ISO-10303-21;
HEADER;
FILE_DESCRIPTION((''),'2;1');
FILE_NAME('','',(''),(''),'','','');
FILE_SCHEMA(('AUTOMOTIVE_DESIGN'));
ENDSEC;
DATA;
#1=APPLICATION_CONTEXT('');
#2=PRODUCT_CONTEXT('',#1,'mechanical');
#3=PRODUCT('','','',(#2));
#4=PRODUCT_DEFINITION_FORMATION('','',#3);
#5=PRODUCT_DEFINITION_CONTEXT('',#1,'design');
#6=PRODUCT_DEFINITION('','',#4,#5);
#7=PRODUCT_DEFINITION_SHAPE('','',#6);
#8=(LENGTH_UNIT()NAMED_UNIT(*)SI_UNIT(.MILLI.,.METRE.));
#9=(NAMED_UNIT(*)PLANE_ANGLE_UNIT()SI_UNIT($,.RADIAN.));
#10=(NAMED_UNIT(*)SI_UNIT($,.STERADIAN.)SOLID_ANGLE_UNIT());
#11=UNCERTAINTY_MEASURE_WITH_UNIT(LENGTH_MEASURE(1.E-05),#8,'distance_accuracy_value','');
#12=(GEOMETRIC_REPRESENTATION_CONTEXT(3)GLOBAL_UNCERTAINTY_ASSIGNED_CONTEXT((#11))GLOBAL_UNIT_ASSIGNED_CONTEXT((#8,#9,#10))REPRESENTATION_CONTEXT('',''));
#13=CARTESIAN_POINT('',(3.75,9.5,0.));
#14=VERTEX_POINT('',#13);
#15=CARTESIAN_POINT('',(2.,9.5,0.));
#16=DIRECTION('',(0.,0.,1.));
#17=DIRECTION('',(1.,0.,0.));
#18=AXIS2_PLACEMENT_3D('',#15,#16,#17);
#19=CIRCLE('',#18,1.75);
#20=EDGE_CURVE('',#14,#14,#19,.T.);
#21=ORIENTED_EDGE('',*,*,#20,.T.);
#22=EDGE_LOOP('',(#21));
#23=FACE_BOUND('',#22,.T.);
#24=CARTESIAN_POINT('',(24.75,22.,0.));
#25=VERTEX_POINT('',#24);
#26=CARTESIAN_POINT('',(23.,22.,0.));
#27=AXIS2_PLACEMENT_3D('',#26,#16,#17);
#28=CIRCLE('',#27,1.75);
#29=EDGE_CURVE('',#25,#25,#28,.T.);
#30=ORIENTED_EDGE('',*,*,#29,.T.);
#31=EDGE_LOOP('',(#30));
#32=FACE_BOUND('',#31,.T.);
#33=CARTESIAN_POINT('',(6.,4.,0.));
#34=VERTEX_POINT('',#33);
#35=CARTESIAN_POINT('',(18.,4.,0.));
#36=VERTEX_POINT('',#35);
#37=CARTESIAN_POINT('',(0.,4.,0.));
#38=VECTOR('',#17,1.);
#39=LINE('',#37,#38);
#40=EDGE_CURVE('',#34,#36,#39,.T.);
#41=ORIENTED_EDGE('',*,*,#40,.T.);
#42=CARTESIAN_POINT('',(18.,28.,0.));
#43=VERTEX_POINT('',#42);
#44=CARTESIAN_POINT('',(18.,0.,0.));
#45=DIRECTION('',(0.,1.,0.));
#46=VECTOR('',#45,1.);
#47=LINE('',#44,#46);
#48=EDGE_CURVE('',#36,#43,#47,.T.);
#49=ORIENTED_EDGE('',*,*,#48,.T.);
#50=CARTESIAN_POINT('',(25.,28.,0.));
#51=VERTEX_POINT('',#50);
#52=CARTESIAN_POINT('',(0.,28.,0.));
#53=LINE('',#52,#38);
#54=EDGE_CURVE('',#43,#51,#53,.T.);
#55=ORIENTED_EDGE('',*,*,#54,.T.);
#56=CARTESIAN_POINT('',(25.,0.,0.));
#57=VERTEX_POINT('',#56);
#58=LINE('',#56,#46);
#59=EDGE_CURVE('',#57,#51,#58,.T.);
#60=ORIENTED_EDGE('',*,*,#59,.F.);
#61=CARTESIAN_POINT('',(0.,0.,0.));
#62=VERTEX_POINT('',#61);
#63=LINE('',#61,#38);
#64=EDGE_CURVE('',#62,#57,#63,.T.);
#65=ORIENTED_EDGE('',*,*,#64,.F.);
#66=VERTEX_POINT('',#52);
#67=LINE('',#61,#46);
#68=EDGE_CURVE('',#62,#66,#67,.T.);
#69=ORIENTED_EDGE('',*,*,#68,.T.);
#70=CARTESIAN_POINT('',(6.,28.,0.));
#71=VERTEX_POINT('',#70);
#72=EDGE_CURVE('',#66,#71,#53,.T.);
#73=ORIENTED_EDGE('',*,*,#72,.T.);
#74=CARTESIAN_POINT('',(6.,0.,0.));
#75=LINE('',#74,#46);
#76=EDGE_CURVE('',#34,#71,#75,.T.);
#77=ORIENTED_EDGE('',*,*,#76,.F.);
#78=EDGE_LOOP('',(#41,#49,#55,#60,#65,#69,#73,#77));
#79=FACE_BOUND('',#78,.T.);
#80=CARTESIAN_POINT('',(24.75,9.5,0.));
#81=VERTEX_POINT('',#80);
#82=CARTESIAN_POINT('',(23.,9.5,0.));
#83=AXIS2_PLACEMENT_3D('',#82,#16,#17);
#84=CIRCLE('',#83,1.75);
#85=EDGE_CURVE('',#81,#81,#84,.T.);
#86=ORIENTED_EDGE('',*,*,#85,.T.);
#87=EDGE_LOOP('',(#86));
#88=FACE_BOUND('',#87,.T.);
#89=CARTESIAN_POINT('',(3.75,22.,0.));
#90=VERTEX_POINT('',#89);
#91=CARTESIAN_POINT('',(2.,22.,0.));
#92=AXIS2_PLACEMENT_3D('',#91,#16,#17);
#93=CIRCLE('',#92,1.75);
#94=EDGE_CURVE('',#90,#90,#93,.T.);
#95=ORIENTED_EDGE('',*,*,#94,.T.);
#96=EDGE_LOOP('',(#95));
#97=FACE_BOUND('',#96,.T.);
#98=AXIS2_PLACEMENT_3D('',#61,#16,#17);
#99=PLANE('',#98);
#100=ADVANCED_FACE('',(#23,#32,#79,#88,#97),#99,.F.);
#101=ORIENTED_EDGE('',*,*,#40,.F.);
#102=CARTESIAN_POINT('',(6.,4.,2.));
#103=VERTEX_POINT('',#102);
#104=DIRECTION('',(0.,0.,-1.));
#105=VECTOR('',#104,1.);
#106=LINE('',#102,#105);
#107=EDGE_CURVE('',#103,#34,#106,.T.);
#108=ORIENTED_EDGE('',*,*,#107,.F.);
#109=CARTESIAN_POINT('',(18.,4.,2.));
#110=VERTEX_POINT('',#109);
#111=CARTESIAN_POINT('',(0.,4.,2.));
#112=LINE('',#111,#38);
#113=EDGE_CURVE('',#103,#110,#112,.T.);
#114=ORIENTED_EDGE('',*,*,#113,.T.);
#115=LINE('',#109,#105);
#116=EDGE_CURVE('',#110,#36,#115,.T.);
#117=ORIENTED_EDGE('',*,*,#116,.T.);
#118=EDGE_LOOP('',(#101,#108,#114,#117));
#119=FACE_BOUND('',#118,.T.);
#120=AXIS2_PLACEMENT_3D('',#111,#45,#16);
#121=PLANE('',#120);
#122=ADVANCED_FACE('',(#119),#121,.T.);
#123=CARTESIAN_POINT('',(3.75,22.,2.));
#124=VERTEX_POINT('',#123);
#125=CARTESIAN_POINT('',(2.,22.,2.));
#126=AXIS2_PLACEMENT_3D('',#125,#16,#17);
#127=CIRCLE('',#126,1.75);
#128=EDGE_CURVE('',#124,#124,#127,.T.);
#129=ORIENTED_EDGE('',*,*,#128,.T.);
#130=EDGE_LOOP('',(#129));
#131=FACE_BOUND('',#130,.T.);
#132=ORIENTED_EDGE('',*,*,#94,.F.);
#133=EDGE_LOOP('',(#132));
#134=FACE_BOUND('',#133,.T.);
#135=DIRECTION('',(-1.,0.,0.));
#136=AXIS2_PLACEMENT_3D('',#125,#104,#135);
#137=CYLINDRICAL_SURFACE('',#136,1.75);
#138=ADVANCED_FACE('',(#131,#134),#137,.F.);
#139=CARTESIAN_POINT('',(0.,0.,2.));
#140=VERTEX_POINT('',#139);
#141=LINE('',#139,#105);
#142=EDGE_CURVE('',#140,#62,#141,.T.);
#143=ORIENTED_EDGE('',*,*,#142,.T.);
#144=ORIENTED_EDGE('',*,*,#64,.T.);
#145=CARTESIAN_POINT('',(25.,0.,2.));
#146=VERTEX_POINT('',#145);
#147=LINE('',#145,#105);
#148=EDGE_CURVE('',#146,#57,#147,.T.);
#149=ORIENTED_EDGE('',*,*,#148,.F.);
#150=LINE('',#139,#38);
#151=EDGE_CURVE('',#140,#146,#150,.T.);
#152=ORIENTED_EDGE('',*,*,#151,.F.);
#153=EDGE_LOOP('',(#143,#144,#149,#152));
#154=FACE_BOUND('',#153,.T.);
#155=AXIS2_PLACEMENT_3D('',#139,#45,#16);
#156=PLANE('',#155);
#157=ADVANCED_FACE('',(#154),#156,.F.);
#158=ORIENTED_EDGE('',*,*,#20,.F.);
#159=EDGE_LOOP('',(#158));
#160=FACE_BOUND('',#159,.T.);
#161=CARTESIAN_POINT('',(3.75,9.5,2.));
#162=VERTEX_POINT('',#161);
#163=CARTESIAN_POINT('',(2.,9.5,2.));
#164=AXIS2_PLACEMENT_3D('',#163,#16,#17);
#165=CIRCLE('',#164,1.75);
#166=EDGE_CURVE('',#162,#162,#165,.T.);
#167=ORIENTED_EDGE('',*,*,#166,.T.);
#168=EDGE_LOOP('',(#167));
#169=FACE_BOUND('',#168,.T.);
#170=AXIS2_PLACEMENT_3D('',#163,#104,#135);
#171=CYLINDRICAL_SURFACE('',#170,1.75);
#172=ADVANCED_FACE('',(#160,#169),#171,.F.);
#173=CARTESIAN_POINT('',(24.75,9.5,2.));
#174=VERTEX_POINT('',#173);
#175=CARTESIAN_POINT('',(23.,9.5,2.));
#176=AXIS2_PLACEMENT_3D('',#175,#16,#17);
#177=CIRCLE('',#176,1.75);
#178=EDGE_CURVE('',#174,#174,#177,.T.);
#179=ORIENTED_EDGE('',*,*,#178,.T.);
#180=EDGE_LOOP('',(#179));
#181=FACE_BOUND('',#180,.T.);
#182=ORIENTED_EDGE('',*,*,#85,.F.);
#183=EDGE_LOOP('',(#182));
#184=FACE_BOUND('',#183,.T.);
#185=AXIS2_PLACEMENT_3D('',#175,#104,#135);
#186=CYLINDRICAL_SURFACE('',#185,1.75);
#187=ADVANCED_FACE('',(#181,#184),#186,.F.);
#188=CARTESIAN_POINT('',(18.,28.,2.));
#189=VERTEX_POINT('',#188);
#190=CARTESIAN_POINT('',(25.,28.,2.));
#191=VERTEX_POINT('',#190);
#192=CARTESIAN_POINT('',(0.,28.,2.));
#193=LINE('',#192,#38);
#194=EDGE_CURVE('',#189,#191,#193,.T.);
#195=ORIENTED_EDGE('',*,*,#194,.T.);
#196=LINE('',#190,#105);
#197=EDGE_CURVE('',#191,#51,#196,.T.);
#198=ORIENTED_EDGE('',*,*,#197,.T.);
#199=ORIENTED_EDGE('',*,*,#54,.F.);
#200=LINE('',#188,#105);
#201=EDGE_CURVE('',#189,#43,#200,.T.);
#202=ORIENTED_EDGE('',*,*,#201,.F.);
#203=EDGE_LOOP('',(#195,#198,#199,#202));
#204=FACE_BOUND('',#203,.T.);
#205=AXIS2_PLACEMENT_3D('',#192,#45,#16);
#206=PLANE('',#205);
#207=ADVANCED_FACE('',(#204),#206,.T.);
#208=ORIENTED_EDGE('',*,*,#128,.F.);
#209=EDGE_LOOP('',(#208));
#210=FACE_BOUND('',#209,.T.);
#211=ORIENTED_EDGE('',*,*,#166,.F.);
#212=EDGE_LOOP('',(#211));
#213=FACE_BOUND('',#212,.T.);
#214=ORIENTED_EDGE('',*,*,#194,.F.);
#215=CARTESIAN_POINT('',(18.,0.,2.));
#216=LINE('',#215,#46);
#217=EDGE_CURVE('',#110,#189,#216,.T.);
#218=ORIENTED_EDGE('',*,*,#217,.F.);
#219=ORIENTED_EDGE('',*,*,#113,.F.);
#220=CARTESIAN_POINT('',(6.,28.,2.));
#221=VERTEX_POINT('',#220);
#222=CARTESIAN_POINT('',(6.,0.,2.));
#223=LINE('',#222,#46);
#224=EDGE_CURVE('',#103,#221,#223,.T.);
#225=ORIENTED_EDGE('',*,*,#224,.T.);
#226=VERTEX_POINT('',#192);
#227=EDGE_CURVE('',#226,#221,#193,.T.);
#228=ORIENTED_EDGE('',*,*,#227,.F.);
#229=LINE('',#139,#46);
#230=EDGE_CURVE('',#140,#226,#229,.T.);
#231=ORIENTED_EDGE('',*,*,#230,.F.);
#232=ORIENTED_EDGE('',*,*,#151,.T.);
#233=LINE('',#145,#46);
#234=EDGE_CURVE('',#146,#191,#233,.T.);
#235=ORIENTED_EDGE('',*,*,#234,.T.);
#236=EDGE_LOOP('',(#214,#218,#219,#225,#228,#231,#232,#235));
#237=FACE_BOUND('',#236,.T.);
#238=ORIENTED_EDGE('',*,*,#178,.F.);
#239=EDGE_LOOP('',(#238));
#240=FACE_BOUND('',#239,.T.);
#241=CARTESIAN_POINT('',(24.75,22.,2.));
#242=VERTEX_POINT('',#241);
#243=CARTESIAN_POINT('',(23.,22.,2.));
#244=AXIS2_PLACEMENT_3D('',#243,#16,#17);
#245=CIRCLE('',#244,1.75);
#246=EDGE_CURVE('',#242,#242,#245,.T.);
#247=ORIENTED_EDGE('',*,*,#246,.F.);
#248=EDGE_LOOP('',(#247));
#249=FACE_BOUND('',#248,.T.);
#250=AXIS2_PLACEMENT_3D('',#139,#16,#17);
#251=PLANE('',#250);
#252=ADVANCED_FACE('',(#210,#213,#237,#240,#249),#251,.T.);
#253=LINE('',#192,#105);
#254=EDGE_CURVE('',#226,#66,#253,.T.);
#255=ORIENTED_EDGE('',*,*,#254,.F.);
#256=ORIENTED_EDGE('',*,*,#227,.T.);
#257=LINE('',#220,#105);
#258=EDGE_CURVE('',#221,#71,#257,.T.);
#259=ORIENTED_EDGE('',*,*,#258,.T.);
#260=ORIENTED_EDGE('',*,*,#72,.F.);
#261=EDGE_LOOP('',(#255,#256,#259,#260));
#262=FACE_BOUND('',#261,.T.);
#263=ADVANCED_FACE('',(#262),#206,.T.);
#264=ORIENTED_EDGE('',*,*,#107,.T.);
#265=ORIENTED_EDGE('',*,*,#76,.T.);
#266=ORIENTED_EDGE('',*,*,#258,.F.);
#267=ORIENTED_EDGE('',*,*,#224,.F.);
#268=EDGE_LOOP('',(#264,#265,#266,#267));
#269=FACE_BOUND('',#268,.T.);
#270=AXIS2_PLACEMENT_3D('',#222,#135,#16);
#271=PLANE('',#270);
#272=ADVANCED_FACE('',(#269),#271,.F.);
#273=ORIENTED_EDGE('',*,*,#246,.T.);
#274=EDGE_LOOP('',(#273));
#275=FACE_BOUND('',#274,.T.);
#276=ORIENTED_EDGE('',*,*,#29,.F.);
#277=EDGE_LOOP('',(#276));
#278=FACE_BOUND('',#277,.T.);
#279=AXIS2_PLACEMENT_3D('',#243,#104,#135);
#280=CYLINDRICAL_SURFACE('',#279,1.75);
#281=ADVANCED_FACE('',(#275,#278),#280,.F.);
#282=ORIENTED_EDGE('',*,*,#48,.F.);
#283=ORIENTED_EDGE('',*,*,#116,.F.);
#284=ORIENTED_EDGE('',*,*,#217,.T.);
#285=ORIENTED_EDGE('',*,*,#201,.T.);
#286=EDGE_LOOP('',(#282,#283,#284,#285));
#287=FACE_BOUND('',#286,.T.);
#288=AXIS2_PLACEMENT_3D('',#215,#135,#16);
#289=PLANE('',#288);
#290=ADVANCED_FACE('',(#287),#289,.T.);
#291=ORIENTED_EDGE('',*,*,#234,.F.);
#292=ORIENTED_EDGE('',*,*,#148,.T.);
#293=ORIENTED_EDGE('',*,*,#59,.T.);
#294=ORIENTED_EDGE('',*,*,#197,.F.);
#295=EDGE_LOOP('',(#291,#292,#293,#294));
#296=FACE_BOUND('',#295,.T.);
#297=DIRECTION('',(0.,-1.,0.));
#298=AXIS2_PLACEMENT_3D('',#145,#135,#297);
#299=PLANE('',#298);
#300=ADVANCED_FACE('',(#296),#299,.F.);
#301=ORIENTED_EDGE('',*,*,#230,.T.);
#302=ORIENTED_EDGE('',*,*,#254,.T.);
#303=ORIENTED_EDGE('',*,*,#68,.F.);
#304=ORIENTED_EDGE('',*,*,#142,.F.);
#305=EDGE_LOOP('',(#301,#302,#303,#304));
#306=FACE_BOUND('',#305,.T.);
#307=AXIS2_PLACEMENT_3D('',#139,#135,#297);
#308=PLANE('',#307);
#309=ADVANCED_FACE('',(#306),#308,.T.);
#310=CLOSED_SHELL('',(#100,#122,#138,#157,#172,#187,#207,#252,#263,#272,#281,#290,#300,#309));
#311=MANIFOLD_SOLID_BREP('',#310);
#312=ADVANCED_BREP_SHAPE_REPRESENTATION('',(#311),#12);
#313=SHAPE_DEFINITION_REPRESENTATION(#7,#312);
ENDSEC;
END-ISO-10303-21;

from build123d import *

# Parameters (mm, degrees)
SKETCH_1_R      = 1.75
SKETCH_1_W      = 6
SKETCH_1_H      = 4
SKETCH_1_W_2    = 7
EXTRUDE_6_DEPTH = 2


with BuildPart() as part:
    # ｽｹｯﾁ1 → ﾎﾞｽ - 押し出し6 (new body)
    # profile 1 of 3: a face of its own
    with BuildSketch(Plane.XY):
        Polygon((18, 24), (25, 24), (25, 0), (0, 0), (0, 24), (6, 24), (6, 4), (18, 4), align=None)
        with Locations((23, 9.5)):
            Circle(SKETCH_1_R, mode=Mode.SUBTRACT)
        with Locations((2, 9.5)):
            Circle(SKETCH_1_R, mode=Mode.SUBTRACT)
        with Locations((23, 22)):
            Circle(SKETCH_1_R, mode=Mode.SUBTRACT)
        with Locations((2, 22)):
            Circle(SKETCH_1_R, mode=Mode.SUBTRACT)
    # profile 2 of 3: a face of its own
    with BuildSketch(Plane.XY):
        with Locations((3, 26)):
            Rectangle(SKETCH_1_W, SKETCH_1_H)
    # profile 3 of 3: a face of its own
    with BuildSketch(Plane.XY):
        with Locations((21.5, 26)):
            Rectangle(SKETCH_1_W_2, SKETCH_1_H)
    extrude(amount=EXTRUDE_6_DEPTH)


solid = part.part
